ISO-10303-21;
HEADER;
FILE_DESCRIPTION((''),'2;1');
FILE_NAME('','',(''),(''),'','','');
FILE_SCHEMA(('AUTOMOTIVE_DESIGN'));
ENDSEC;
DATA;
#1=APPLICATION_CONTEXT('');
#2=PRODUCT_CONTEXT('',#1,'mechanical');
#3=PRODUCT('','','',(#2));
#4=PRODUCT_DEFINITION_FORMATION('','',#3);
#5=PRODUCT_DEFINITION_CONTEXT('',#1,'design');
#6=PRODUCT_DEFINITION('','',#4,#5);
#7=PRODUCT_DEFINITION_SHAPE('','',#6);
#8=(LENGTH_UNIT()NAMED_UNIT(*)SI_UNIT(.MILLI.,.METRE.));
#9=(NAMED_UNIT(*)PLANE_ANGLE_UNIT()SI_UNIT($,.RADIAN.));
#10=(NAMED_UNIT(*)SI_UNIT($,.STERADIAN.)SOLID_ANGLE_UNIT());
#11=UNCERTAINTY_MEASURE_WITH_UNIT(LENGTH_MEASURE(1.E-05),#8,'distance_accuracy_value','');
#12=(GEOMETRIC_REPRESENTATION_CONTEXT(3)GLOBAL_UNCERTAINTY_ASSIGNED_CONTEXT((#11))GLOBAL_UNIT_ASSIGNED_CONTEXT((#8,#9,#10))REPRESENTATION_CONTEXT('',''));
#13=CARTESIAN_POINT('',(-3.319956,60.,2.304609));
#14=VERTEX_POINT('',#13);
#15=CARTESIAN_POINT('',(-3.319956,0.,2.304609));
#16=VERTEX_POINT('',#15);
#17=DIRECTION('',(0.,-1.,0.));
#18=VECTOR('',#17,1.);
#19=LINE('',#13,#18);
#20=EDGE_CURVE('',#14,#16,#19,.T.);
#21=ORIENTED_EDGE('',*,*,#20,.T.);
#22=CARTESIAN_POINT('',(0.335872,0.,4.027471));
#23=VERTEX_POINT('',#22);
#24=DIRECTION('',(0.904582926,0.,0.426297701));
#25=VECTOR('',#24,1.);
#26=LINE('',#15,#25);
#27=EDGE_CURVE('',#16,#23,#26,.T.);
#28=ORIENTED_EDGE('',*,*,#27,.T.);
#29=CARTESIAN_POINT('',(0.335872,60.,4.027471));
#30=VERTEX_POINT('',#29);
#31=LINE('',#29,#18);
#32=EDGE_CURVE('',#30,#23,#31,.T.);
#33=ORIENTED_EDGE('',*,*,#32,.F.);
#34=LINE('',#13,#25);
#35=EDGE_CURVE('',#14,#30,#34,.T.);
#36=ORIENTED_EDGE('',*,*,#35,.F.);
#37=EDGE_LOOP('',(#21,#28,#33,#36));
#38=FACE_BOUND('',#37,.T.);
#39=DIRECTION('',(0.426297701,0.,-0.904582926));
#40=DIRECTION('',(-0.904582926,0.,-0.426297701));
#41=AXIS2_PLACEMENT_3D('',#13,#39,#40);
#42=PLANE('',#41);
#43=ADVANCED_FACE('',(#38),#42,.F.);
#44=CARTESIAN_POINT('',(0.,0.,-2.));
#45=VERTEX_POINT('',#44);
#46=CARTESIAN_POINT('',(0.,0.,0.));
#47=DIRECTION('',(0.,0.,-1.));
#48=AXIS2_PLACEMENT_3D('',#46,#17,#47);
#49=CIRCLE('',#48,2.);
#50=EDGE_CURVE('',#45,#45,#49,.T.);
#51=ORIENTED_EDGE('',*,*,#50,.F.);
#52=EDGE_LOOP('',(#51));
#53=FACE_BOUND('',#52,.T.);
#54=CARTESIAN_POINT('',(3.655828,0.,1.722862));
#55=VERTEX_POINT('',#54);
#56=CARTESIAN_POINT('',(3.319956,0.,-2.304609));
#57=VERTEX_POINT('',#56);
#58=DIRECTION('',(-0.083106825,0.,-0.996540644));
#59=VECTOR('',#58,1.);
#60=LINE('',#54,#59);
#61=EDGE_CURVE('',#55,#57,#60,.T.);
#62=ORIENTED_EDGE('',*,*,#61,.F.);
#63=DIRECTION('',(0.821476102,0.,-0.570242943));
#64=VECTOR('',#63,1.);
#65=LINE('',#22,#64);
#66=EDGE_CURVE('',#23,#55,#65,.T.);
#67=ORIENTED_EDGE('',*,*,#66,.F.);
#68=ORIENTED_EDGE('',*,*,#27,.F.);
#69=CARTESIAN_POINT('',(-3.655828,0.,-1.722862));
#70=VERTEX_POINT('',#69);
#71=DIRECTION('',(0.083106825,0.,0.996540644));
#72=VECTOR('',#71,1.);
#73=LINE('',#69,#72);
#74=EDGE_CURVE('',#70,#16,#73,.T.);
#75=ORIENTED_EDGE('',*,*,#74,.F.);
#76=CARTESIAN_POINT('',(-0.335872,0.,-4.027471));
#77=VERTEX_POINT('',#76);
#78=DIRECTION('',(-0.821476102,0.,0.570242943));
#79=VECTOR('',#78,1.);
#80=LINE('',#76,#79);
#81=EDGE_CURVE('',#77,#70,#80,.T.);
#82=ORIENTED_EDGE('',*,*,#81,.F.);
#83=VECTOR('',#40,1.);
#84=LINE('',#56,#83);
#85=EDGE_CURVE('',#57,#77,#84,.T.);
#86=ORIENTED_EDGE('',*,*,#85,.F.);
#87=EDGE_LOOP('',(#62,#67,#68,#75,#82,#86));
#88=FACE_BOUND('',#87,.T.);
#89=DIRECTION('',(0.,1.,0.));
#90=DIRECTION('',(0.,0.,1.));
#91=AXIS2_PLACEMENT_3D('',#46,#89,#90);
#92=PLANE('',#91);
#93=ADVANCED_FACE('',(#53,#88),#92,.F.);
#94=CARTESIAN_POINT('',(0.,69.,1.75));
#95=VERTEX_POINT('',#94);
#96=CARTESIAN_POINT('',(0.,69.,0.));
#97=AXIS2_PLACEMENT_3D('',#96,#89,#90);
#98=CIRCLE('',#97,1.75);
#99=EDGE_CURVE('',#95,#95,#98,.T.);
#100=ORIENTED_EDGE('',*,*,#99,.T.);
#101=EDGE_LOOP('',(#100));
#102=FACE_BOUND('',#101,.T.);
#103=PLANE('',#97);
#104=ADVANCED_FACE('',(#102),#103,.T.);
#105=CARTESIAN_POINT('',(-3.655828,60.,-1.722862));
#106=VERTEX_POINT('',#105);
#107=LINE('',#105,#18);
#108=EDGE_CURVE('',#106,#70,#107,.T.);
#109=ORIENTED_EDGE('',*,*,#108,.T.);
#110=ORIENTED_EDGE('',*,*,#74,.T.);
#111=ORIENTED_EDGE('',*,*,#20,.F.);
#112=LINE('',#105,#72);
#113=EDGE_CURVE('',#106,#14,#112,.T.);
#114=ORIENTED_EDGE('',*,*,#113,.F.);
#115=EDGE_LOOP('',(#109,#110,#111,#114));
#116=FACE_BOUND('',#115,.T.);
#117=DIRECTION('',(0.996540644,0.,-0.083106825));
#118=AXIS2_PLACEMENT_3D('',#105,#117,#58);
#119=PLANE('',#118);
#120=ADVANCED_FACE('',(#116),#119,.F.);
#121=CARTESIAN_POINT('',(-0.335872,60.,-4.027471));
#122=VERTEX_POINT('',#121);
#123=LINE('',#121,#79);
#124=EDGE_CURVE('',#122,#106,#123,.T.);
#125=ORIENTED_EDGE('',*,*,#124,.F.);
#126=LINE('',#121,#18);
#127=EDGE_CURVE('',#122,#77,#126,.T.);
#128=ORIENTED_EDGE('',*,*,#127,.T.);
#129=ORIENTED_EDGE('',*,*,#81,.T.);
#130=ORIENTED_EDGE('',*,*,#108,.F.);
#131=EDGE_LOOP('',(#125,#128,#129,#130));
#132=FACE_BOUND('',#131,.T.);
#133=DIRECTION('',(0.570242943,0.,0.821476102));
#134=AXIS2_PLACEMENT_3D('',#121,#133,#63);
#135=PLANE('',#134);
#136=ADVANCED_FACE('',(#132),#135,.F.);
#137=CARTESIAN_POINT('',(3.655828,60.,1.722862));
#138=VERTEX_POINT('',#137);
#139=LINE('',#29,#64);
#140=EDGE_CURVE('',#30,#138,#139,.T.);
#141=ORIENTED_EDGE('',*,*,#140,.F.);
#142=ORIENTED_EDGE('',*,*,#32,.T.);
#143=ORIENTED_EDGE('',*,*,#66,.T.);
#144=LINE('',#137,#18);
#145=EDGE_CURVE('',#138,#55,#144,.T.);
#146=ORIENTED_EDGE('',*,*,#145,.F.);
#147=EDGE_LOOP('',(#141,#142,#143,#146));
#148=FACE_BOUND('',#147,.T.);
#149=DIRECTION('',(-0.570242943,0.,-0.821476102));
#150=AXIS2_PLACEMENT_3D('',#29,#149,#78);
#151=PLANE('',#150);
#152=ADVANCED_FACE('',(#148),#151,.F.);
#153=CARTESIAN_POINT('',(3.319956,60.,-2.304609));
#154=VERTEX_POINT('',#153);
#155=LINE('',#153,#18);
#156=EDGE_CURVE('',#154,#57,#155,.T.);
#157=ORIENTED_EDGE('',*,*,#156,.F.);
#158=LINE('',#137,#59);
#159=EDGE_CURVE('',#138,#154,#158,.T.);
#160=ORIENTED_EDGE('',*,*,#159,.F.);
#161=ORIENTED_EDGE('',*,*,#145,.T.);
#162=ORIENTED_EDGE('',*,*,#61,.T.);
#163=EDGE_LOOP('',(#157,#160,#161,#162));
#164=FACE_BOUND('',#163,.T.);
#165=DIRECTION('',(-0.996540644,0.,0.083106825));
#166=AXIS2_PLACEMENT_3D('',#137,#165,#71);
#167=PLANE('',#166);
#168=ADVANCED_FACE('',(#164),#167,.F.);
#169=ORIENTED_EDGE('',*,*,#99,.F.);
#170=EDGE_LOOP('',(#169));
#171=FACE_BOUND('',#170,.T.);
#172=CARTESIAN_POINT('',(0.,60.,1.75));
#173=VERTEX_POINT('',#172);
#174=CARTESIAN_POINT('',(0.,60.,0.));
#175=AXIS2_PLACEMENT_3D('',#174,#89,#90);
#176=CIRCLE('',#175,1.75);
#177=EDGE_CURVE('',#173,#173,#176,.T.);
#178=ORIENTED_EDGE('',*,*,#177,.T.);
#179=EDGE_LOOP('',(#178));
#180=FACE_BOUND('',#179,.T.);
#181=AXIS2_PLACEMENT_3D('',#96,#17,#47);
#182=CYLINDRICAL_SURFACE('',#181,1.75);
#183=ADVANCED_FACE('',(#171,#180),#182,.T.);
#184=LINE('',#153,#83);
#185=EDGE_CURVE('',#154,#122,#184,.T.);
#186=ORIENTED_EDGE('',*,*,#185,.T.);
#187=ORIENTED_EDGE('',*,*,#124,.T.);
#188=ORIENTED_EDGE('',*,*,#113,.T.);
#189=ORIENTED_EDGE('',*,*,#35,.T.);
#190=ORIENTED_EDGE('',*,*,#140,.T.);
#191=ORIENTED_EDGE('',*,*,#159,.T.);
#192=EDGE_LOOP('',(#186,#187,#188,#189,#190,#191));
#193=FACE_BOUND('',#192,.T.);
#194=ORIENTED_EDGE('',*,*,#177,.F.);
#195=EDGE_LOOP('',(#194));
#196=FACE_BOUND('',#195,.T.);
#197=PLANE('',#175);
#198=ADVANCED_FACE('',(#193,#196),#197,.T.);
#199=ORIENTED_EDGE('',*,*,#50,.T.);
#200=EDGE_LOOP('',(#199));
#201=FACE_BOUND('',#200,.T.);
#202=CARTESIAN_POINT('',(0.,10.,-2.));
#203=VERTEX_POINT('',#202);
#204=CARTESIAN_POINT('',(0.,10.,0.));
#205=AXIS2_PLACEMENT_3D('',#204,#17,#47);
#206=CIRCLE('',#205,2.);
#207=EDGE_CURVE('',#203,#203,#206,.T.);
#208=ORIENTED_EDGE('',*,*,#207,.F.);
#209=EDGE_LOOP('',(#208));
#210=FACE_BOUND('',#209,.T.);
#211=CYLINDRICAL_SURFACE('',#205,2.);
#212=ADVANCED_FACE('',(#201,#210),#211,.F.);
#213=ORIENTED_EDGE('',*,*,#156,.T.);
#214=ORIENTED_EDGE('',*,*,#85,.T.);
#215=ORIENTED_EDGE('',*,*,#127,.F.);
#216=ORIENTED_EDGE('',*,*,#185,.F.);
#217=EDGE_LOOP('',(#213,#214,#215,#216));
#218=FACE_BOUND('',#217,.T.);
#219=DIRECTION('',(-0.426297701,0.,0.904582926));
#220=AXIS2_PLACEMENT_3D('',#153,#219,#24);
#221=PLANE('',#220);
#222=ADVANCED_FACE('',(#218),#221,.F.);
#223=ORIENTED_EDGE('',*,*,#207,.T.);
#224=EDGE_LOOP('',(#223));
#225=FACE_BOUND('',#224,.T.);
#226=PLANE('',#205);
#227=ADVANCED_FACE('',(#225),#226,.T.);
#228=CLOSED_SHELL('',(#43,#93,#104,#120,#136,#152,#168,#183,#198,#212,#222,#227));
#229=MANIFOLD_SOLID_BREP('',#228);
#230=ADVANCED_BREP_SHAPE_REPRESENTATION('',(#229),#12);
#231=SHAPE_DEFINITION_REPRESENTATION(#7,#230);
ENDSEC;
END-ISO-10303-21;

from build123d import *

# Parameters (mm, degrees)
BOSS_EXTRU_1_DEPTH      = 60
ESQUISSE2_R             = 2
ENL_V_MAT_EXTRU_1_DEPTH = 10
ESQUISSE3_R             = 1.75
BOSS_EXTRU_2_DEPTH      = 9


with BuildPart() as part:
    # Esquisse1 → Boss.-Extru.1 (new body)
    with BuildSketch(Plane(origin=(0, 0, 0), x_dir=(1, 0, 0), z_dir=(0, 1, 0))):
        Polygon((3.655828371, -1.722861646), (3.319956139, 2.304609418), (-0.335872233, 4.027471065), (-3.655828371, 1.722861646), (-3.319956139, -2.304609418), (0.335872233, -4.027471065), align=None)
    extrude(amount=BOSS_EXTRU_1_DEPTH)

    # Esquisse2 → Enlèv. mat.-Extru.1 (cut)
    with BuildSketch(Plane.XZ):
        with Locations(Location((0, 0, 0), (0, 0, 270))):
            Circle(ESQUISSE2_R)
    extrude(amount=-ENL_V_MAT_EXTRU_1_DEPTH, mode=Mode.SUBTRACT)

    # Esquisse3 → Boss.-Extru.2 (add)
    with BuildSketch(Plane(origin=(0, 60, 0), x_dir=(1, 0, 0), z_dir=(0, 1, 0))):
        with Locations(Location((0, 0, 0), (0, 0, 270))):
            Circle(ESQUISSE3_R)
    extrude(amount=BOSS_EXTRU_2_DEPTH)


solid = part.part
